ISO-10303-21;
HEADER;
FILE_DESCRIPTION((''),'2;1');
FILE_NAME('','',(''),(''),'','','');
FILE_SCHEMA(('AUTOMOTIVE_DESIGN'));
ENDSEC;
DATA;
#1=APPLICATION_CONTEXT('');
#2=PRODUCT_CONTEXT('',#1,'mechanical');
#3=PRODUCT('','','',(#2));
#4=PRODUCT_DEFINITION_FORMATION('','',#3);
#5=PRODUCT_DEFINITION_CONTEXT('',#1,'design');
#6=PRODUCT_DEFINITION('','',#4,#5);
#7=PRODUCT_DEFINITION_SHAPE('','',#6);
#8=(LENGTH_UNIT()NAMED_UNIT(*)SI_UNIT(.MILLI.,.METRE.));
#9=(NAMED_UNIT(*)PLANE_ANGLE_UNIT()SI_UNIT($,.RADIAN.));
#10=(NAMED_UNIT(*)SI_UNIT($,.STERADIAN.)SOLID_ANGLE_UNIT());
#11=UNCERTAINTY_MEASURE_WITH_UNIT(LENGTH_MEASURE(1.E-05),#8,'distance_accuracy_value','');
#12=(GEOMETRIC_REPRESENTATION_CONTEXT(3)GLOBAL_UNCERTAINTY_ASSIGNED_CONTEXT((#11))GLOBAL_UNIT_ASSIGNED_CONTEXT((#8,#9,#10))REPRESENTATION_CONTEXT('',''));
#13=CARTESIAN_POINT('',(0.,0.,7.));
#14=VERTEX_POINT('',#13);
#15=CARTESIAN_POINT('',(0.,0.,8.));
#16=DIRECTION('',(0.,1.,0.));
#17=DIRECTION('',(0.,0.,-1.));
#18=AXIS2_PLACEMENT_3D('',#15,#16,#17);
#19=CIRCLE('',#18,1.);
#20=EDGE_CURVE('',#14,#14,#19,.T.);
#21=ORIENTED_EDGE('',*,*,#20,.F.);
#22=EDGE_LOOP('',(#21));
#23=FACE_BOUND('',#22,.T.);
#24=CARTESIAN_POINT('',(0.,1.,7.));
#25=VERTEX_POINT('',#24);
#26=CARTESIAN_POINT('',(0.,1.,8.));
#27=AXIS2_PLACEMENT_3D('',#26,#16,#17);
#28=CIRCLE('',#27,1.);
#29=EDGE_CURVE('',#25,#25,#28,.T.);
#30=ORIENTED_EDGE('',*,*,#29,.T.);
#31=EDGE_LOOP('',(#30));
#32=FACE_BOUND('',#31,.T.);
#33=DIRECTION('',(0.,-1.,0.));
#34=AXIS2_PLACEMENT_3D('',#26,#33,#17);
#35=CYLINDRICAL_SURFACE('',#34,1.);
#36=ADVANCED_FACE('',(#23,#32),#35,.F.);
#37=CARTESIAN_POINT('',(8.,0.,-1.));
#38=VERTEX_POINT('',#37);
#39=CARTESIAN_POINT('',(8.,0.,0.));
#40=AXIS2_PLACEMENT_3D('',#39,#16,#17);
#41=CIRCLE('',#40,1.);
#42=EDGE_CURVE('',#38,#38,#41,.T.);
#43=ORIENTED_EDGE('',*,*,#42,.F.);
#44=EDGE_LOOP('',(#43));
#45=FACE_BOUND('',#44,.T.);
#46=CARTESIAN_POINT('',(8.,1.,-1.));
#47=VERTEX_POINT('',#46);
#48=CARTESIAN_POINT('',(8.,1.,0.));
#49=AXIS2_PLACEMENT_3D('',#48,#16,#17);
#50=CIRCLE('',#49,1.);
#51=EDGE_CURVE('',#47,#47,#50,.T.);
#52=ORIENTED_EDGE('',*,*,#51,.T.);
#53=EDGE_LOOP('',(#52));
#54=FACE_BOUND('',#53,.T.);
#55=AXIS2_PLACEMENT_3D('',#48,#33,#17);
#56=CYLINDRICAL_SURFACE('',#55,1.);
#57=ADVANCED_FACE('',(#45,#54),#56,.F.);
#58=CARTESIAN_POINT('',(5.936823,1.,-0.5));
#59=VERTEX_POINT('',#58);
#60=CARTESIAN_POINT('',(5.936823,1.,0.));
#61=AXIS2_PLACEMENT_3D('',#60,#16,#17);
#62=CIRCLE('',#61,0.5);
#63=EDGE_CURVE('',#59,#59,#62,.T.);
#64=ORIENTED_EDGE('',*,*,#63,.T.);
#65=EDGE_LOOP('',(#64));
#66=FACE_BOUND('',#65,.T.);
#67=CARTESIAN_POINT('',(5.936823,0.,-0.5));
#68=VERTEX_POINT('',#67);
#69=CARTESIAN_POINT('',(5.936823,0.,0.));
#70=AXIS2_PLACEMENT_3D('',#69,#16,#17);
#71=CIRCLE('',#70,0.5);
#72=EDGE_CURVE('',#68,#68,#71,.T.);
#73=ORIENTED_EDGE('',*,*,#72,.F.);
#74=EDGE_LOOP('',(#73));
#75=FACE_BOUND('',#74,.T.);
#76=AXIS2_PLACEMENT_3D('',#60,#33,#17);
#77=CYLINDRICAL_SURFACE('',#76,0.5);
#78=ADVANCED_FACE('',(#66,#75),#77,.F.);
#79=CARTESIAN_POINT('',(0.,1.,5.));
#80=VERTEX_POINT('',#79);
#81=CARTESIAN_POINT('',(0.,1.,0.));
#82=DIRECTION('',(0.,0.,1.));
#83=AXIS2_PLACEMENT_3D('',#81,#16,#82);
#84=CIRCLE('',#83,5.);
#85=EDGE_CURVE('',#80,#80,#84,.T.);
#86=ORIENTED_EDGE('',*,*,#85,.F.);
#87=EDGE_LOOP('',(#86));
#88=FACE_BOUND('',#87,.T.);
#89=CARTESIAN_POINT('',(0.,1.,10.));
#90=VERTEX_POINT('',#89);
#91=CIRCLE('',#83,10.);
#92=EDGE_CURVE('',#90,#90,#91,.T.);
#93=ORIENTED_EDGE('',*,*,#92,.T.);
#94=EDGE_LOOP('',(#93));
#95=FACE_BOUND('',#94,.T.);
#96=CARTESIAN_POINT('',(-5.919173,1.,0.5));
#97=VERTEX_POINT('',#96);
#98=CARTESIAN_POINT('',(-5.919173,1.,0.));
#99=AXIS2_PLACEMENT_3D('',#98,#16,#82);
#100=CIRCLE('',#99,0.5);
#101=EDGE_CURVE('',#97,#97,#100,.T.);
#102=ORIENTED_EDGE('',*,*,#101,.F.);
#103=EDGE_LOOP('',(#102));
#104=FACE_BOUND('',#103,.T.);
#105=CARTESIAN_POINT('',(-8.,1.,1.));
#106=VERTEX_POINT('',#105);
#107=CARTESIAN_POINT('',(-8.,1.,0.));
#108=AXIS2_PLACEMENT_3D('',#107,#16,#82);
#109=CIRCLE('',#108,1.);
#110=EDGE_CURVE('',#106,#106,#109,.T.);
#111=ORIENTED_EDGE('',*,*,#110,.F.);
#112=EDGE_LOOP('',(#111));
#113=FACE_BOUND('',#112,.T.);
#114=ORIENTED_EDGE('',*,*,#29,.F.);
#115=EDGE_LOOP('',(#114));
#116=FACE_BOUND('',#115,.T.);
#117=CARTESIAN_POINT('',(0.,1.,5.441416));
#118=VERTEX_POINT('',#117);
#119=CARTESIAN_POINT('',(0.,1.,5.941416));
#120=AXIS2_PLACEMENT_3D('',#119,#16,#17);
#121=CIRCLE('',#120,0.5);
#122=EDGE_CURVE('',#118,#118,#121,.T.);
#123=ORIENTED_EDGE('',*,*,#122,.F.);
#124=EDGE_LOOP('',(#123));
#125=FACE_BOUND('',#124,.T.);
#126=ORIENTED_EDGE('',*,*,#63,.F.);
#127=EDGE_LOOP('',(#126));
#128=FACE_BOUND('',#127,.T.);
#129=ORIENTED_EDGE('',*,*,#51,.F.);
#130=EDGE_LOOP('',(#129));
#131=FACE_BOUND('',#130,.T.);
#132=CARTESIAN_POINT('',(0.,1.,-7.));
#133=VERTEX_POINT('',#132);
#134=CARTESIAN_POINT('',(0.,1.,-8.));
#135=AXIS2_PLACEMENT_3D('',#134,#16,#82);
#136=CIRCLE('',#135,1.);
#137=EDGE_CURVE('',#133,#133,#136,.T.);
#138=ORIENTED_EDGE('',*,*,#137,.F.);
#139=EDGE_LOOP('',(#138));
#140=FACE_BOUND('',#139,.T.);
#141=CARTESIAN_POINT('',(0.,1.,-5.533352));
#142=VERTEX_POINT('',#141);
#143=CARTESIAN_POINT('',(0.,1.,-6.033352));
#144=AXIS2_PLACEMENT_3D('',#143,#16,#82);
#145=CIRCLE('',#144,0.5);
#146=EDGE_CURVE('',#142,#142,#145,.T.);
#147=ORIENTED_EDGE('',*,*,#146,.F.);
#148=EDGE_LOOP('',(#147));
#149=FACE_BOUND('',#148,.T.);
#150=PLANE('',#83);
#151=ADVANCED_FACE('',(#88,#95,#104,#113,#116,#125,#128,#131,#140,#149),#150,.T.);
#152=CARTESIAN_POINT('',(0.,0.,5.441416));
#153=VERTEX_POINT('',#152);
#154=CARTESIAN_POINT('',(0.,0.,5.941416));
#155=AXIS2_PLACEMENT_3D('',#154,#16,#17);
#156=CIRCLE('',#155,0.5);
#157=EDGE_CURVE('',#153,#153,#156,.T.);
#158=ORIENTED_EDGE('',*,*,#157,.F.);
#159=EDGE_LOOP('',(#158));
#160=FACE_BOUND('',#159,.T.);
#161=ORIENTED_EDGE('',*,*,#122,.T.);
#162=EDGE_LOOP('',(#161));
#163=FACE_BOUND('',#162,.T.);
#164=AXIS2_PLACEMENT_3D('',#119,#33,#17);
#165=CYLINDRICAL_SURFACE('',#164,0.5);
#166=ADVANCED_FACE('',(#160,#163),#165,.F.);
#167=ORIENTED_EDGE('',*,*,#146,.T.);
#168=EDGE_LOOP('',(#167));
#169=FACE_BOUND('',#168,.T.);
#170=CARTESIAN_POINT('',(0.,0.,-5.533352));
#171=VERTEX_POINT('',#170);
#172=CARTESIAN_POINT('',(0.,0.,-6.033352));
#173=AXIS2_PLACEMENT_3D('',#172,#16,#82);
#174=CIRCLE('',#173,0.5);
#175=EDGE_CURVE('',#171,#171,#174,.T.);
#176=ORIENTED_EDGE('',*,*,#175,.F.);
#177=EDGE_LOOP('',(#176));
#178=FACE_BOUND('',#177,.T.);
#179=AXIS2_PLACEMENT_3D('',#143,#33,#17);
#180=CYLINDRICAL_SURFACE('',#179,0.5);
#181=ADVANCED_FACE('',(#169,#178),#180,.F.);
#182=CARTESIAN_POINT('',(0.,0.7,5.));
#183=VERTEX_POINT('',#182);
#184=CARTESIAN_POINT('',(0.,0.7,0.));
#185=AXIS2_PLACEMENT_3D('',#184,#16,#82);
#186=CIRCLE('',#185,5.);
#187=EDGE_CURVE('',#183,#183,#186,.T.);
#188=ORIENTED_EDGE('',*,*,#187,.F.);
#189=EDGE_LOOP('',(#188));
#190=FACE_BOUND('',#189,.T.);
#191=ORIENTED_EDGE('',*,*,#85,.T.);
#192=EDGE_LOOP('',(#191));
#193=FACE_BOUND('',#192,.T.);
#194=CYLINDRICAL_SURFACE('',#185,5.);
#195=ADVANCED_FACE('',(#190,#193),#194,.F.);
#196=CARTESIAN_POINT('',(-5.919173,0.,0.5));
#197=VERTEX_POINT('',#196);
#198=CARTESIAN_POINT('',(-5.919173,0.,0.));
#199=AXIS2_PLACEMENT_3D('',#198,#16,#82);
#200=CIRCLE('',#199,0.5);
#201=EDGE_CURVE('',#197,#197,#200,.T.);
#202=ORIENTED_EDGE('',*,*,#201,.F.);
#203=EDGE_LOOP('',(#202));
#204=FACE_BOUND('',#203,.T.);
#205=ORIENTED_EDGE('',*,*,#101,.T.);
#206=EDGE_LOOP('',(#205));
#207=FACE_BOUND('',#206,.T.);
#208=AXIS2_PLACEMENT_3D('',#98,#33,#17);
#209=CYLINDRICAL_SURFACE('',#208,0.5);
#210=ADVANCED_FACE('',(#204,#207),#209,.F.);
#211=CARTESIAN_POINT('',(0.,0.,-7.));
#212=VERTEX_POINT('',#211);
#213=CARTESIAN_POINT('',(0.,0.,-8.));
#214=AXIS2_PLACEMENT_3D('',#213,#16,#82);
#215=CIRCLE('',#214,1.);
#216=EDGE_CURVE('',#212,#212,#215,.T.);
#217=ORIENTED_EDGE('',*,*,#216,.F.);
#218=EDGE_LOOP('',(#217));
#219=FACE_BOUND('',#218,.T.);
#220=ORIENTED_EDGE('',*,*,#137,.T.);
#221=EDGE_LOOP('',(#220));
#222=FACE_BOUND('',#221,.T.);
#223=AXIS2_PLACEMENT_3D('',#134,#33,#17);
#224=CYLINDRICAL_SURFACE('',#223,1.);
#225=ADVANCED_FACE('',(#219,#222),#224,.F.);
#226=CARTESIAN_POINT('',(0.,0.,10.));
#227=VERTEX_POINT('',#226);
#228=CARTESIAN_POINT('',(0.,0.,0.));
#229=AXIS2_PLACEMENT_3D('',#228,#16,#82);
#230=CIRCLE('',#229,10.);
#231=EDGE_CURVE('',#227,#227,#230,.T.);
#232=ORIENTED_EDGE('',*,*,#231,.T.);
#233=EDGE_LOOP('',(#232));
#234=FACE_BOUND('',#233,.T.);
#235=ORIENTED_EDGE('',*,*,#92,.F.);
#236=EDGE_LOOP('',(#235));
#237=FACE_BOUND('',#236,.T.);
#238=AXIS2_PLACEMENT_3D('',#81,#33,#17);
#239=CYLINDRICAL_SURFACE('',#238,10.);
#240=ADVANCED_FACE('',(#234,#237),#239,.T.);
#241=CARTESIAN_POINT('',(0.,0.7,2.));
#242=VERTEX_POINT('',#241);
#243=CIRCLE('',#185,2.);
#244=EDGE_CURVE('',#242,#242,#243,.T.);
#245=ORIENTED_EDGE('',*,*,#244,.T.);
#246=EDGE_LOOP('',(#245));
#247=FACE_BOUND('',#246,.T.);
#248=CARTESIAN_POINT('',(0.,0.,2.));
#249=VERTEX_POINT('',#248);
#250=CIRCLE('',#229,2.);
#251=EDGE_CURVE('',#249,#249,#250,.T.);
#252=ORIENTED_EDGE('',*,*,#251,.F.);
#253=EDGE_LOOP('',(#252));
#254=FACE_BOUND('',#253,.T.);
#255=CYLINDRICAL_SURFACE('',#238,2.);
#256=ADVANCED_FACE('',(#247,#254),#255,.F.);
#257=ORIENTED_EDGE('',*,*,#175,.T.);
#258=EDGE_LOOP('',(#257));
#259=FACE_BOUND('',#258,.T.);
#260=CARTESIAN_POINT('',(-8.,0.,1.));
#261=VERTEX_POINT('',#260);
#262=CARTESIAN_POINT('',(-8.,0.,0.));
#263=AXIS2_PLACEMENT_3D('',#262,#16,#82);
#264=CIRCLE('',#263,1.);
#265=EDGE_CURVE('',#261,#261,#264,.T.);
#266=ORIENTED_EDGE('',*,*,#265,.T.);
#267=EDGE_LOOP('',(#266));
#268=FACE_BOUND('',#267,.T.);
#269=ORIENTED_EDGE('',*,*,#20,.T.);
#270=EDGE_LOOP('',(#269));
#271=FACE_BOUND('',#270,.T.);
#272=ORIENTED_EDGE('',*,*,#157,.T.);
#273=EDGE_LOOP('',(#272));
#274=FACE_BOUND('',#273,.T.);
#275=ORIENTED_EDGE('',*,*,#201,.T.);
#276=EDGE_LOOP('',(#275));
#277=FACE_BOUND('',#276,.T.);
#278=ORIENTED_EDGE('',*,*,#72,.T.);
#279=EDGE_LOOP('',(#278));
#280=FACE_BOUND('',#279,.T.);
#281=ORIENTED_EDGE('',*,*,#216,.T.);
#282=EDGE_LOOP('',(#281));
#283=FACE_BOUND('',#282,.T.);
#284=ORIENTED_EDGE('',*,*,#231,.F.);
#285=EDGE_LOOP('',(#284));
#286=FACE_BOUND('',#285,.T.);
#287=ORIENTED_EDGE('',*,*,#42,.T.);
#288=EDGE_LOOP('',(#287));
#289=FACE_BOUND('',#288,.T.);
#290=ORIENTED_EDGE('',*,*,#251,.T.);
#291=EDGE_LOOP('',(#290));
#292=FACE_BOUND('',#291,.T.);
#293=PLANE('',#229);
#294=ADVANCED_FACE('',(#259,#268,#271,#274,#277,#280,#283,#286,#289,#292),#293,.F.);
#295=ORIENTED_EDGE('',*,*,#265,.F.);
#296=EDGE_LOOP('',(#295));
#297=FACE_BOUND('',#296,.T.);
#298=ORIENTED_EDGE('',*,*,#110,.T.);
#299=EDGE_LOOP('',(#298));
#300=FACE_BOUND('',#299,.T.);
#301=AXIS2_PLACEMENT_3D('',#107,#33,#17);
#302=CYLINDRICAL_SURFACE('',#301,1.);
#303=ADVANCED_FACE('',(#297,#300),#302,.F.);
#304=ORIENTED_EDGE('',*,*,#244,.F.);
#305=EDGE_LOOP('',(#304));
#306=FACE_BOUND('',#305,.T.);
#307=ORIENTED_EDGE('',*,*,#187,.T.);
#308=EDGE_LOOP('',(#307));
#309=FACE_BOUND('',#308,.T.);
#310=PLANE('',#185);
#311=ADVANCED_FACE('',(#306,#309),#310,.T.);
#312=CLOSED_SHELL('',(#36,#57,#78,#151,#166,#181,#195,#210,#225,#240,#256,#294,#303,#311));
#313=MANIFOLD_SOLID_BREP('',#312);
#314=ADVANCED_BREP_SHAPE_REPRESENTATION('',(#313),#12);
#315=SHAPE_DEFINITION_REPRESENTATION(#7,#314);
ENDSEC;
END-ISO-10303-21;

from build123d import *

# Parameters (mm, degrees)
SKETCH1_R           = 10
SKETCH1_R_2         = 2
SKETCH1_R_3         = 1
SKETCH1_R_4         = 0.5
BOSS_EXTRUDE1_DEPTH = 1
SKETCH2_R           = 5
CUT_EXTRUDE1_DEPTH  = 0.3


with BuildPart() as part:
    # Sketch1 → Boss-Extrude1 (new body)
    with BuildSketch(Plane(origin=(0, 0, 0), x_dir=(1, 0, 0), z_dir=(0, 1, 0))):
        with Locations(Location((0, 0, 0), (0, 0, 270))):  # turned: the seam where the file's is
            Circle(SKETCH1_R)
        with Locations(Location((0, 0, 0), (0, 0, 270))):  # turned: the seam where the file's is
            Circle(SKETCH1_R_2, mode=Mode.SUBTRACT)
        with Locations(Location((-8, 0, 0), (0, 0, 270))):  # turned: the seam where the file's is
            Circle(SKETCH1_R_3, mode=Mode.SUBTRACT)
        with Locations(Location((-5.919172613, 0, 0), (0, 0, 270))):  # turned: the seam where the file's is
            Circle(SKETCH1_R_4, mode=Mode.SUBTRACT)
        with Locations(Location((0, -5.941415712, 0), (0, 0, 90))):  # turned: the seam where the file's is
            Circle(SKETCH1_R_4, mode=Mode.SUBTRACT)
        with Locations(Location((0, -8, 0), (0, 0, 90))):  # turned: the seam where the file's is
            Circle(SKETCH1_R_3, mode=Mode.SUBTRACT)
        with Locations(Location((5.936823246, 0, 0), (0, 0, 90))):  # turned: the seam where the file's is
            Circle(SKETCH1_R_4, mode=Mode.SUBTRACT)
        with Locations(Location((8, 0, 0), (0, 0, 90))):  # turned: the seam where the file's is
            Circle(SKETCH1_R_3, mode=Mode.SUBTRACT)
        with Locations(Location((0, 6.0333524, 0), (0, 0, 270))):  # turned: the seam where the file's is
            Circle(SKETCH1_R_4, mode=Mode.SUBTRACT)
        with Locations(Location((0, 8, 0), (0, 0, 270))):  # turned: the seam where the file's is
            Circle(SKETCH1_R_3, mode=Mode.SUBTRACT)
    extrude(amount=BOSS_EXTRUDE1_DEPTH)

    # Sketch2 → Cut-Extrude1 (cut)
    with BuildSketch(Plane(origin=(0, 1, 0), x_dir=(1, 0, 0), z_dir=(0, 1, 0))):
        with Locations(Location((0, 0, 0), (0, 0, 270))):  # turned: the seam where the file's is
            Circle(SKETCH2_R)
    extrude(amount=-CUT_EXTRUDE1_DEPTH, mode=Mode.SUBTRACT)


solid = part.part
